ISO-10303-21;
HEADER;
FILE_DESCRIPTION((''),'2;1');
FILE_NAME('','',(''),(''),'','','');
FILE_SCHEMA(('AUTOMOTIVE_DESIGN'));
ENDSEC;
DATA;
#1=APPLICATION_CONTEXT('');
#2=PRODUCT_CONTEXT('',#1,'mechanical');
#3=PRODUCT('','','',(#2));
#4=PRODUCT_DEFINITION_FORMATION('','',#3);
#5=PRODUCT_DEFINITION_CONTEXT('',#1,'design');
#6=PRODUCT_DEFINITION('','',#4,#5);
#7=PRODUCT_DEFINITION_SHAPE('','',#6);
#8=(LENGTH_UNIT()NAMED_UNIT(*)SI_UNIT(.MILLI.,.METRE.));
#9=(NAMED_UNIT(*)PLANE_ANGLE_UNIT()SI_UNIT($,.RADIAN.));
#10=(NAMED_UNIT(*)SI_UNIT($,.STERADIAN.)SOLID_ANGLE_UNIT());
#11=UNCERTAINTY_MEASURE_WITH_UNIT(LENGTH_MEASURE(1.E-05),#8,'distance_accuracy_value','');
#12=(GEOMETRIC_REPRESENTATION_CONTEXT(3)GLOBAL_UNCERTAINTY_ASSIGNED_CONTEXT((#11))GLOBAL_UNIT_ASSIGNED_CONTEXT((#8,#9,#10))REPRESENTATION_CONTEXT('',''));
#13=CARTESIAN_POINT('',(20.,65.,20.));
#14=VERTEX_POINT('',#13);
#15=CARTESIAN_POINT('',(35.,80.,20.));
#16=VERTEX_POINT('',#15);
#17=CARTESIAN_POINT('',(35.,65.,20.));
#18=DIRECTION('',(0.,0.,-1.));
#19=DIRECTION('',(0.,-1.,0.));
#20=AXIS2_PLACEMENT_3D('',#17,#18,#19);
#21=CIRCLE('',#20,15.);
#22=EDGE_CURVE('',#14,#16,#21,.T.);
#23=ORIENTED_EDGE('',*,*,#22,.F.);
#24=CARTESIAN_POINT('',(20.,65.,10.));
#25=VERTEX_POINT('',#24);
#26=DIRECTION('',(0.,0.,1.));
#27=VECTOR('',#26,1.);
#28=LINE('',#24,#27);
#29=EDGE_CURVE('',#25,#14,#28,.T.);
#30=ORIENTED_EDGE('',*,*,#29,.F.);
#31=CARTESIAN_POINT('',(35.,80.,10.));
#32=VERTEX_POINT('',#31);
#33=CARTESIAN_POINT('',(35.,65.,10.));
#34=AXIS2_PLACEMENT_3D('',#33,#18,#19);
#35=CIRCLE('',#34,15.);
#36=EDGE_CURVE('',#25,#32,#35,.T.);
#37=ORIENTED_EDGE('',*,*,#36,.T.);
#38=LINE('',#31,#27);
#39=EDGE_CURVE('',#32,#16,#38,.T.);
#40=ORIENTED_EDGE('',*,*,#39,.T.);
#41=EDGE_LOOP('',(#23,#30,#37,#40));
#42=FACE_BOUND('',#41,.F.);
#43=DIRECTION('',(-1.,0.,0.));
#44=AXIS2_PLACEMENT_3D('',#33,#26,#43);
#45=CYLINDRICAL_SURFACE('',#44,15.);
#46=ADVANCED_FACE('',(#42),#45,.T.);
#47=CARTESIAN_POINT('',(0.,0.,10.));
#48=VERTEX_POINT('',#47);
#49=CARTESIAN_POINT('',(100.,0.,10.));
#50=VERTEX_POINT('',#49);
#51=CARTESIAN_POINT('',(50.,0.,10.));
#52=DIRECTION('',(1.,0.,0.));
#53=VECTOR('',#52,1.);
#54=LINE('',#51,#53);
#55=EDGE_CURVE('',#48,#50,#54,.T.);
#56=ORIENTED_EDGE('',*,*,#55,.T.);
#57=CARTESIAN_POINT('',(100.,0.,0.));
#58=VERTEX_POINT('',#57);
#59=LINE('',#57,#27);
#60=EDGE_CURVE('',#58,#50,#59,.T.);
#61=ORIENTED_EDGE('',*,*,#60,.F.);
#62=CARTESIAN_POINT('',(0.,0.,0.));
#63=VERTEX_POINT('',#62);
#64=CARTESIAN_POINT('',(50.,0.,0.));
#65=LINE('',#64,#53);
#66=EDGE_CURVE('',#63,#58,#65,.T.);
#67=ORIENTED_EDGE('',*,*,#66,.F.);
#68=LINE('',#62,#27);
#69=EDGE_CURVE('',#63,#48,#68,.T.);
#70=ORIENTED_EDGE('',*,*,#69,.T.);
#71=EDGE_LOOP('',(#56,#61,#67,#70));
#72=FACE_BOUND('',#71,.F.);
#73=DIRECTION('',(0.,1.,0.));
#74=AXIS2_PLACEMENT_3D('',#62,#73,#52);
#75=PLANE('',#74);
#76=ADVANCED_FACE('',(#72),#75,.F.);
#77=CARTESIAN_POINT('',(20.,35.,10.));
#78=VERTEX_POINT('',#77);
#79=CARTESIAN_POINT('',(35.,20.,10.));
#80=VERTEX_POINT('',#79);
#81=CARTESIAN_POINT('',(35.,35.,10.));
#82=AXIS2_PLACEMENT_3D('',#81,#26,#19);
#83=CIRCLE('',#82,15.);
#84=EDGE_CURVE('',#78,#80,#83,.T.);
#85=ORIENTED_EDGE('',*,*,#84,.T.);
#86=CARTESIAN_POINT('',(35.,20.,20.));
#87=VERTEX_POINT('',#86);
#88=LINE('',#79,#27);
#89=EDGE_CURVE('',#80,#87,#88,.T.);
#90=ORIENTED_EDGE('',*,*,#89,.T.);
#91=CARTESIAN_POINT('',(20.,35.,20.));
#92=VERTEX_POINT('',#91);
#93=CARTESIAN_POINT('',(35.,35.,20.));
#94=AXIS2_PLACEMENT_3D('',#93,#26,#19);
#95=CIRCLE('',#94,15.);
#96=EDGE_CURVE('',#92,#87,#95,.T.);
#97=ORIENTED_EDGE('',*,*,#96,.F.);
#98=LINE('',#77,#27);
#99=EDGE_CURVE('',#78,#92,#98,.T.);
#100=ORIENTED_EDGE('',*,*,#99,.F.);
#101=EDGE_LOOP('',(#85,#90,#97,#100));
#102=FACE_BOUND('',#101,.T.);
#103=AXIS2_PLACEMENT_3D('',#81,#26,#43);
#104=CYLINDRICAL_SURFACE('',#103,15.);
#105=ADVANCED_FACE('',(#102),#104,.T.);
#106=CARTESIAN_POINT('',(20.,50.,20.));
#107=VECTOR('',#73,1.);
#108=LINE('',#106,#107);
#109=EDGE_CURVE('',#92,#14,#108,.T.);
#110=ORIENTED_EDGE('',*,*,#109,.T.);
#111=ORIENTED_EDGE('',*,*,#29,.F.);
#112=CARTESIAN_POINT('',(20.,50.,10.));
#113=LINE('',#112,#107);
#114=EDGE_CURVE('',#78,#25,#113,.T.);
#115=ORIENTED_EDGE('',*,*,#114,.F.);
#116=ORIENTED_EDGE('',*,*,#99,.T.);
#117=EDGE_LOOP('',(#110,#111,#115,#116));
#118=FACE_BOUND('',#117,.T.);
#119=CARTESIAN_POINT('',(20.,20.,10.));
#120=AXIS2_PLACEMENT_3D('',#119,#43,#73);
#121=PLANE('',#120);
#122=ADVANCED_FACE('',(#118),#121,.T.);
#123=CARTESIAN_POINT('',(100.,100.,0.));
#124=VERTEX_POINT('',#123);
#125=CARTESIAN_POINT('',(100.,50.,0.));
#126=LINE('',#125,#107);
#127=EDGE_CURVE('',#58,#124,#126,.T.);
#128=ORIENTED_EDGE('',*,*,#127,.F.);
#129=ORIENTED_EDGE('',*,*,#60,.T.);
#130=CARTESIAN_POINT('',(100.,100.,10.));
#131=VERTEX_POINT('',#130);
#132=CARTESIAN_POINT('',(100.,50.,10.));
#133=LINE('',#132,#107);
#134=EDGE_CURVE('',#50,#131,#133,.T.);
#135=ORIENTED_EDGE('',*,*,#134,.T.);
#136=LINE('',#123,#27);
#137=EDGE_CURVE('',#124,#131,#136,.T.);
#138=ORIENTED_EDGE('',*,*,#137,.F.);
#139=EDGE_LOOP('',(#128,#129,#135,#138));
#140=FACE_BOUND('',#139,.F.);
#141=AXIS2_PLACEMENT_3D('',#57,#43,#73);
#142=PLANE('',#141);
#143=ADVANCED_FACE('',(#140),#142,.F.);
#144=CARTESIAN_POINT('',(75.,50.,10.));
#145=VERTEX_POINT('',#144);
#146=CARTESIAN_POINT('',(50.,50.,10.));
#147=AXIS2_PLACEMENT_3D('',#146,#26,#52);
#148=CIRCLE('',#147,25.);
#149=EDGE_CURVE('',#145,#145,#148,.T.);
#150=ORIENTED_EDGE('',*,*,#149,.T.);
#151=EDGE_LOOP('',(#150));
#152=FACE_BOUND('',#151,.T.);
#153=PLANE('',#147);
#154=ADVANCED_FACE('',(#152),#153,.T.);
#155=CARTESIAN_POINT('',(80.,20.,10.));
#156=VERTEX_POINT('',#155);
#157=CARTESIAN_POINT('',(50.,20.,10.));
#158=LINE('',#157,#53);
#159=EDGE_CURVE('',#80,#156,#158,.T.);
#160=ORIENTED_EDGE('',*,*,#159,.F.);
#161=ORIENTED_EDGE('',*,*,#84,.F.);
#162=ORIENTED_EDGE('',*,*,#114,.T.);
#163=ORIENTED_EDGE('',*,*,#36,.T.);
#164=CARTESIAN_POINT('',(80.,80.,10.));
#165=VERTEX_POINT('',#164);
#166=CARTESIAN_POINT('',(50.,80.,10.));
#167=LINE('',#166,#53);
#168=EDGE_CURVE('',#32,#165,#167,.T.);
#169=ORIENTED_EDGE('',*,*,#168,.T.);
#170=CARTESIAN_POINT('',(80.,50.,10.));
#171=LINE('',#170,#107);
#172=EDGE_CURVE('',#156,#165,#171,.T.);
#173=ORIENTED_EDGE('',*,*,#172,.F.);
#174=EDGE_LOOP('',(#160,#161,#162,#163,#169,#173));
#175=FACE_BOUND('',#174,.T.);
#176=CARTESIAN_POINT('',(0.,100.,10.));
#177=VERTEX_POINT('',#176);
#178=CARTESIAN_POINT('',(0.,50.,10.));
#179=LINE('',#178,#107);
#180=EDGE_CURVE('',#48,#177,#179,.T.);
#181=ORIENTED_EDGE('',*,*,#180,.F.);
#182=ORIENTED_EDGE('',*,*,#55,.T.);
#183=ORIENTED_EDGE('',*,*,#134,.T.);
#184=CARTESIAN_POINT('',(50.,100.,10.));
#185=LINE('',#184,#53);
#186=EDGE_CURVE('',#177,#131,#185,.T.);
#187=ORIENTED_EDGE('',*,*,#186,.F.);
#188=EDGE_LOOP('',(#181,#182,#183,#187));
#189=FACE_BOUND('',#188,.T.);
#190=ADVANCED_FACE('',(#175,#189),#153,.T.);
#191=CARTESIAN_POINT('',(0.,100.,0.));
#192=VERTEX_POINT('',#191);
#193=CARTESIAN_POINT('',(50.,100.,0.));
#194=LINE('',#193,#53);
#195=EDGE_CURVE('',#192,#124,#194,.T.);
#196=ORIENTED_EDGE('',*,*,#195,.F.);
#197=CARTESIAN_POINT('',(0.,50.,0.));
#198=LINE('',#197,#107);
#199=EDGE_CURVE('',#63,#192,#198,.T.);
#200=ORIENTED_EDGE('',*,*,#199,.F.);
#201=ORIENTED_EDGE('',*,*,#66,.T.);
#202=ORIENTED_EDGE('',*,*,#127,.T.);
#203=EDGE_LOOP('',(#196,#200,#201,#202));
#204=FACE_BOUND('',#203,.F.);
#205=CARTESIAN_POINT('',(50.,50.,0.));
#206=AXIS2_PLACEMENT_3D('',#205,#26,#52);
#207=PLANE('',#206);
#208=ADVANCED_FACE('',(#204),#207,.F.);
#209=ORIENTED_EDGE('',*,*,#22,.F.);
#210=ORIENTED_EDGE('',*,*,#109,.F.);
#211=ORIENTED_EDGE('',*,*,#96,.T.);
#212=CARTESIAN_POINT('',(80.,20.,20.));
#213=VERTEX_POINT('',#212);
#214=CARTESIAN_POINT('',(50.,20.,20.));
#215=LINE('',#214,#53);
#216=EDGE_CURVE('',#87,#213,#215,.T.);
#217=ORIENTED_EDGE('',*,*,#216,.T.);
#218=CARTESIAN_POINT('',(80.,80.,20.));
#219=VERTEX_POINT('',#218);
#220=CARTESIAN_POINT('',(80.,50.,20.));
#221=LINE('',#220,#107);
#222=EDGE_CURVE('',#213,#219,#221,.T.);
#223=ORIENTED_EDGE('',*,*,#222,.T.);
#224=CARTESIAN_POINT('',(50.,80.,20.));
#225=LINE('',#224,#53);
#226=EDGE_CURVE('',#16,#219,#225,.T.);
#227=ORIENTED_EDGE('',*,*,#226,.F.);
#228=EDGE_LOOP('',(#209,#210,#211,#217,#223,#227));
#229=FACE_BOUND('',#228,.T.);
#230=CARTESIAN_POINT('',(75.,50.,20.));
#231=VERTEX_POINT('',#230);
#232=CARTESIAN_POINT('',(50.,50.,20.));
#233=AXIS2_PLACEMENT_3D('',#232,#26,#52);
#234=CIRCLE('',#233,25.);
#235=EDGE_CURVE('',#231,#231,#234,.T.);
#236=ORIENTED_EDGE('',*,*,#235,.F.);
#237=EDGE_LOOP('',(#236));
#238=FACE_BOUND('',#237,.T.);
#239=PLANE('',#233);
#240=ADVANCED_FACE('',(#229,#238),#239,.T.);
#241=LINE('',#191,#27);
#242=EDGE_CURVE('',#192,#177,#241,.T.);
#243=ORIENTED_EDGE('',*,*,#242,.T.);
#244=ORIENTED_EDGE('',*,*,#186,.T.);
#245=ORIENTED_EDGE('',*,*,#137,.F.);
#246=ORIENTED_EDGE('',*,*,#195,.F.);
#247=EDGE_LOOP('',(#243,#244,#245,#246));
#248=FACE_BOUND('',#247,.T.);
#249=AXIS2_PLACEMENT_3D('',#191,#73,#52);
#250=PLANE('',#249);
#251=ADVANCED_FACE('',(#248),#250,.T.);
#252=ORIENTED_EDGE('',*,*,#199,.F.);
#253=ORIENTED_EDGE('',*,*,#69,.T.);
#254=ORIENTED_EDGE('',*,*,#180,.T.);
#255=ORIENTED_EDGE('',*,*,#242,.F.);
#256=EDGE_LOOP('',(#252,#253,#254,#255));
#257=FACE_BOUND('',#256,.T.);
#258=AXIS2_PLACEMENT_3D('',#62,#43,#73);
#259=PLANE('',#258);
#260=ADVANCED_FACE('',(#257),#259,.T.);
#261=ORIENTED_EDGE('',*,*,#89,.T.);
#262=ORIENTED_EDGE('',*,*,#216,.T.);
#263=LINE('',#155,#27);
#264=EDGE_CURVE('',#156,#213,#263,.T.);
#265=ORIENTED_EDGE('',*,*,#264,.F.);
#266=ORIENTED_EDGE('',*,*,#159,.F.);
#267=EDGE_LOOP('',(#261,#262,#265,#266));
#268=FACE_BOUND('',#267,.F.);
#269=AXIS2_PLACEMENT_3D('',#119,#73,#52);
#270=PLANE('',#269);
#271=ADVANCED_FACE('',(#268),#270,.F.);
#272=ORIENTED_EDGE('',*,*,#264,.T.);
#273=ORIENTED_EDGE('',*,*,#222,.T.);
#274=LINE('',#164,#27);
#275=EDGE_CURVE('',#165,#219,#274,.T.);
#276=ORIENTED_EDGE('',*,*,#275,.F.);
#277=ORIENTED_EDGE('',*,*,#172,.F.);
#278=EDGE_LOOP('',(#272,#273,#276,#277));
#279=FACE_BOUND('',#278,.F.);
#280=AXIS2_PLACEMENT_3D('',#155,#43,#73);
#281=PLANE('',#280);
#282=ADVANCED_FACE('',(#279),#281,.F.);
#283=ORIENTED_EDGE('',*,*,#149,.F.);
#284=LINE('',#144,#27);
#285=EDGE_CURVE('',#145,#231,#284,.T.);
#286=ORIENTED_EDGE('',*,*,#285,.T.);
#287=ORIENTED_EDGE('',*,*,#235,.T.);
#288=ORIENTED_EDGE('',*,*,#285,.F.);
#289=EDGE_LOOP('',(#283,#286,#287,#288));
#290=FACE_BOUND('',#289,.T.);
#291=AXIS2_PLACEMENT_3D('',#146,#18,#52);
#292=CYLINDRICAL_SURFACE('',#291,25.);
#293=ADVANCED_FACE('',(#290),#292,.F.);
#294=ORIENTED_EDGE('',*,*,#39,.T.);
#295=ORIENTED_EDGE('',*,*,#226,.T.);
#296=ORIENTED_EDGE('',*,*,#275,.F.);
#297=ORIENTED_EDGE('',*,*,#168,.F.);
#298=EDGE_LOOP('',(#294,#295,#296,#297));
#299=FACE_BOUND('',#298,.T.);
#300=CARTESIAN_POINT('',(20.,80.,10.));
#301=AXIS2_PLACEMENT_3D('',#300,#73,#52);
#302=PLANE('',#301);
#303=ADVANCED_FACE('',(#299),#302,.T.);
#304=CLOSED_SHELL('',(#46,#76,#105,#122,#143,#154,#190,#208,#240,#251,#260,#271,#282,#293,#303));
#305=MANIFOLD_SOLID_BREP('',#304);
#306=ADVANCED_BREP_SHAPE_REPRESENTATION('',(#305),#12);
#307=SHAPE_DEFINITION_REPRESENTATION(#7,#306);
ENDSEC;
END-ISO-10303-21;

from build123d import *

# Parameters (mm, degrees)
BOX_W          = 100
BOX_H          = 100
BOX_DEPTH      = 10
CYLINDER_R     = 25
CYLINDER_DEPTH = 10
BOX001_W       = 60
BOX001_H       = 60
BOX001_DEPTH   = 10
FILLET_R       = 15


with BuildPart() as cube:
    # Box → Box (new body)
    with BuildSketch(Plane.XY):
        with Locations((50, 50)):
            Rectangle(BOX_W, BOX_H)
    extrude(amount=BOX_DEPTH)


with BuildPart() as cylinder:
    # Cylinder → Cylinder (new body)
    with BuildSketch(Plane(origin=(50, 50, 10), x_dir=(1, 0, 0), z_dir=(0, 0, 1))):
        Circle(CYLINDER_R)
    extrude(amount=CYLINDER_DEPTH)


with BuildPart() as model_fusion:
    # Box001 → Box001 (new body)
    with BuildSketch(Plane(origin=(20, 20, 10), x_dir=(1, 0, 0), z_dir=(0, 0, 1))):
        with Locations((30, 30)):
            Rectangle(BOX001_W, BOX001_H)
    extrude(amount=BOX001_DEPTH)

    # Fillet
    fillet_edges = [model_fusion.edges().sort_by_distance(p)[0] for p in [
        (20, 20, 15),
        (20, 80, 15),
    ]]
    fillet(fillet_edges, radius=FILLET_R)

    # Cut: cut Cylinder
    add(cylinder.part, mode=Mode.SUBTRACT)

    # Fusion: union Cube
    add(cube.part)


solid = model_fusion.part
